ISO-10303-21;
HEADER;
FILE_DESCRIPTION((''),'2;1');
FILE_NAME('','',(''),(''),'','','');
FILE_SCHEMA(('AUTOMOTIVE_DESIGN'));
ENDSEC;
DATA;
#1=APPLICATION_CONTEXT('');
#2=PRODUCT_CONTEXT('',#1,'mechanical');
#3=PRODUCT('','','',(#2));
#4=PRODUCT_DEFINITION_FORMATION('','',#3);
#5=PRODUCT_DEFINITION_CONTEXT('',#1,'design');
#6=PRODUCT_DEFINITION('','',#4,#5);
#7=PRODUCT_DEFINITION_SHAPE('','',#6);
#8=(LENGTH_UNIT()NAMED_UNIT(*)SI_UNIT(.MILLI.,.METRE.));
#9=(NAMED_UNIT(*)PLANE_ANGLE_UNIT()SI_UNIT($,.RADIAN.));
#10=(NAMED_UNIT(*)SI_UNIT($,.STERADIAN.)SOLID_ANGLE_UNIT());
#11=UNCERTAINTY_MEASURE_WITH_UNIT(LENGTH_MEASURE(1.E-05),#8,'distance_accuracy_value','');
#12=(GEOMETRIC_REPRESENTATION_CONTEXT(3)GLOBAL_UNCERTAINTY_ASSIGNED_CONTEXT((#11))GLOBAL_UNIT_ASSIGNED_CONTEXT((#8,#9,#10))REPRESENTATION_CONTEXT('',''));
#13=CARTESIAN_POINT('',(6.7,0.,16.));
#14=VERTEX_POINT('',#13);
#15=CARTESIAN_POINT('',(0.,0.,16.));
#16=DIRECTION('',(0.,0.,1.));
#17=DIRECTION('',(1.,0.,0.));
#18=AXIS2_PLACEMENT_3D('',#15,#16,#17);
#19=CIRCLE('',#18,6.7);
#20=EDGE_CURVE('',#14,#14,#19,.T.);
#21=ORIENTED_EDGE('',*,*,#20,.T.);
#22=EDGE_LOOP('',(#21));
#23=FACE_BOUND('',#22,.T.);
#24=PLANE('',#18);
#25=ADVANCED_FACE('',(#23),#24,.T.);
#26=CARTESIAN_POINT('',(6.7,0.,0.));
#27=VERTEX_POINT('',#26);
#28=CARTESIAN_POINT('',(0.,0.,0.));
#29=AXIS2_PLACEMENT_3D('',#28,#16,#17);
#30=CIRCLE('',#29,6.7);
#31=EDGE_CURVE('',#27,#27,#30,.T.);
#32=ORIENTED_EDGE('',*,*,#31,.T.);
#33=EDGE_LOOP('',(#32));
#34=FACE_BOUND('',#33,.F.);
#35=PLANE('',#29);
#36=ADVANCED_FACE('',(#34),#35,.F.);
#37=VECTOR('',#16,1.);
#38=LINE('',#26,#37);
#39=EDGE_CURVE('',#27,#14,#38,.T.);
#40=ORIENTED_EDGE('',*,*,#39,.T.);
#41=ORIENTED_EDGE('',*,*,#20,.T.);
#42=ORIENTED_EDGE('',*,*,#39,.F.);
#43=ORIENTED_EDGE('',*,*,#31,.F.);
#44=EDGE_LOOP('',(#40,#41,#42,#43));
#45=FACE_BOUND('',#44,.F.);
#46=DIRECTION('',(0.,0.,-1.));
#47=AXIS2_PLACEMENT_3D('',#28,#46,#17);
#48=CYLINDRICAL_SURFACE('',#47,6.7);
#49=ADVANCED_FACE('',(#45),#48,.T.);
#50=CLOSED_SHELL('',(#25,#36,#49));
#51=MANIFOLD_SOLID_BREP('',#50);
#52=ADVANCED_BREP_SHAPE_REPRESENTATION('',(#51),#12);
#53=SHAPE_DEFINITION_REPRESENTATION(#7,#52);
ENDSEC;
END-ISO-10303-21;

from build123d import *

# Parameters (mm, degrees)
SKETCH_R  = 6.7
PAD_DEPTH = 16


with BuildPart() as part:
    # Sketch → Pad (new body)
    with BuildSketch(Plane.XY):
        Circle(SKETCH_R)
    extrude(amount=PAD_DEPTH)


solid = part.part
